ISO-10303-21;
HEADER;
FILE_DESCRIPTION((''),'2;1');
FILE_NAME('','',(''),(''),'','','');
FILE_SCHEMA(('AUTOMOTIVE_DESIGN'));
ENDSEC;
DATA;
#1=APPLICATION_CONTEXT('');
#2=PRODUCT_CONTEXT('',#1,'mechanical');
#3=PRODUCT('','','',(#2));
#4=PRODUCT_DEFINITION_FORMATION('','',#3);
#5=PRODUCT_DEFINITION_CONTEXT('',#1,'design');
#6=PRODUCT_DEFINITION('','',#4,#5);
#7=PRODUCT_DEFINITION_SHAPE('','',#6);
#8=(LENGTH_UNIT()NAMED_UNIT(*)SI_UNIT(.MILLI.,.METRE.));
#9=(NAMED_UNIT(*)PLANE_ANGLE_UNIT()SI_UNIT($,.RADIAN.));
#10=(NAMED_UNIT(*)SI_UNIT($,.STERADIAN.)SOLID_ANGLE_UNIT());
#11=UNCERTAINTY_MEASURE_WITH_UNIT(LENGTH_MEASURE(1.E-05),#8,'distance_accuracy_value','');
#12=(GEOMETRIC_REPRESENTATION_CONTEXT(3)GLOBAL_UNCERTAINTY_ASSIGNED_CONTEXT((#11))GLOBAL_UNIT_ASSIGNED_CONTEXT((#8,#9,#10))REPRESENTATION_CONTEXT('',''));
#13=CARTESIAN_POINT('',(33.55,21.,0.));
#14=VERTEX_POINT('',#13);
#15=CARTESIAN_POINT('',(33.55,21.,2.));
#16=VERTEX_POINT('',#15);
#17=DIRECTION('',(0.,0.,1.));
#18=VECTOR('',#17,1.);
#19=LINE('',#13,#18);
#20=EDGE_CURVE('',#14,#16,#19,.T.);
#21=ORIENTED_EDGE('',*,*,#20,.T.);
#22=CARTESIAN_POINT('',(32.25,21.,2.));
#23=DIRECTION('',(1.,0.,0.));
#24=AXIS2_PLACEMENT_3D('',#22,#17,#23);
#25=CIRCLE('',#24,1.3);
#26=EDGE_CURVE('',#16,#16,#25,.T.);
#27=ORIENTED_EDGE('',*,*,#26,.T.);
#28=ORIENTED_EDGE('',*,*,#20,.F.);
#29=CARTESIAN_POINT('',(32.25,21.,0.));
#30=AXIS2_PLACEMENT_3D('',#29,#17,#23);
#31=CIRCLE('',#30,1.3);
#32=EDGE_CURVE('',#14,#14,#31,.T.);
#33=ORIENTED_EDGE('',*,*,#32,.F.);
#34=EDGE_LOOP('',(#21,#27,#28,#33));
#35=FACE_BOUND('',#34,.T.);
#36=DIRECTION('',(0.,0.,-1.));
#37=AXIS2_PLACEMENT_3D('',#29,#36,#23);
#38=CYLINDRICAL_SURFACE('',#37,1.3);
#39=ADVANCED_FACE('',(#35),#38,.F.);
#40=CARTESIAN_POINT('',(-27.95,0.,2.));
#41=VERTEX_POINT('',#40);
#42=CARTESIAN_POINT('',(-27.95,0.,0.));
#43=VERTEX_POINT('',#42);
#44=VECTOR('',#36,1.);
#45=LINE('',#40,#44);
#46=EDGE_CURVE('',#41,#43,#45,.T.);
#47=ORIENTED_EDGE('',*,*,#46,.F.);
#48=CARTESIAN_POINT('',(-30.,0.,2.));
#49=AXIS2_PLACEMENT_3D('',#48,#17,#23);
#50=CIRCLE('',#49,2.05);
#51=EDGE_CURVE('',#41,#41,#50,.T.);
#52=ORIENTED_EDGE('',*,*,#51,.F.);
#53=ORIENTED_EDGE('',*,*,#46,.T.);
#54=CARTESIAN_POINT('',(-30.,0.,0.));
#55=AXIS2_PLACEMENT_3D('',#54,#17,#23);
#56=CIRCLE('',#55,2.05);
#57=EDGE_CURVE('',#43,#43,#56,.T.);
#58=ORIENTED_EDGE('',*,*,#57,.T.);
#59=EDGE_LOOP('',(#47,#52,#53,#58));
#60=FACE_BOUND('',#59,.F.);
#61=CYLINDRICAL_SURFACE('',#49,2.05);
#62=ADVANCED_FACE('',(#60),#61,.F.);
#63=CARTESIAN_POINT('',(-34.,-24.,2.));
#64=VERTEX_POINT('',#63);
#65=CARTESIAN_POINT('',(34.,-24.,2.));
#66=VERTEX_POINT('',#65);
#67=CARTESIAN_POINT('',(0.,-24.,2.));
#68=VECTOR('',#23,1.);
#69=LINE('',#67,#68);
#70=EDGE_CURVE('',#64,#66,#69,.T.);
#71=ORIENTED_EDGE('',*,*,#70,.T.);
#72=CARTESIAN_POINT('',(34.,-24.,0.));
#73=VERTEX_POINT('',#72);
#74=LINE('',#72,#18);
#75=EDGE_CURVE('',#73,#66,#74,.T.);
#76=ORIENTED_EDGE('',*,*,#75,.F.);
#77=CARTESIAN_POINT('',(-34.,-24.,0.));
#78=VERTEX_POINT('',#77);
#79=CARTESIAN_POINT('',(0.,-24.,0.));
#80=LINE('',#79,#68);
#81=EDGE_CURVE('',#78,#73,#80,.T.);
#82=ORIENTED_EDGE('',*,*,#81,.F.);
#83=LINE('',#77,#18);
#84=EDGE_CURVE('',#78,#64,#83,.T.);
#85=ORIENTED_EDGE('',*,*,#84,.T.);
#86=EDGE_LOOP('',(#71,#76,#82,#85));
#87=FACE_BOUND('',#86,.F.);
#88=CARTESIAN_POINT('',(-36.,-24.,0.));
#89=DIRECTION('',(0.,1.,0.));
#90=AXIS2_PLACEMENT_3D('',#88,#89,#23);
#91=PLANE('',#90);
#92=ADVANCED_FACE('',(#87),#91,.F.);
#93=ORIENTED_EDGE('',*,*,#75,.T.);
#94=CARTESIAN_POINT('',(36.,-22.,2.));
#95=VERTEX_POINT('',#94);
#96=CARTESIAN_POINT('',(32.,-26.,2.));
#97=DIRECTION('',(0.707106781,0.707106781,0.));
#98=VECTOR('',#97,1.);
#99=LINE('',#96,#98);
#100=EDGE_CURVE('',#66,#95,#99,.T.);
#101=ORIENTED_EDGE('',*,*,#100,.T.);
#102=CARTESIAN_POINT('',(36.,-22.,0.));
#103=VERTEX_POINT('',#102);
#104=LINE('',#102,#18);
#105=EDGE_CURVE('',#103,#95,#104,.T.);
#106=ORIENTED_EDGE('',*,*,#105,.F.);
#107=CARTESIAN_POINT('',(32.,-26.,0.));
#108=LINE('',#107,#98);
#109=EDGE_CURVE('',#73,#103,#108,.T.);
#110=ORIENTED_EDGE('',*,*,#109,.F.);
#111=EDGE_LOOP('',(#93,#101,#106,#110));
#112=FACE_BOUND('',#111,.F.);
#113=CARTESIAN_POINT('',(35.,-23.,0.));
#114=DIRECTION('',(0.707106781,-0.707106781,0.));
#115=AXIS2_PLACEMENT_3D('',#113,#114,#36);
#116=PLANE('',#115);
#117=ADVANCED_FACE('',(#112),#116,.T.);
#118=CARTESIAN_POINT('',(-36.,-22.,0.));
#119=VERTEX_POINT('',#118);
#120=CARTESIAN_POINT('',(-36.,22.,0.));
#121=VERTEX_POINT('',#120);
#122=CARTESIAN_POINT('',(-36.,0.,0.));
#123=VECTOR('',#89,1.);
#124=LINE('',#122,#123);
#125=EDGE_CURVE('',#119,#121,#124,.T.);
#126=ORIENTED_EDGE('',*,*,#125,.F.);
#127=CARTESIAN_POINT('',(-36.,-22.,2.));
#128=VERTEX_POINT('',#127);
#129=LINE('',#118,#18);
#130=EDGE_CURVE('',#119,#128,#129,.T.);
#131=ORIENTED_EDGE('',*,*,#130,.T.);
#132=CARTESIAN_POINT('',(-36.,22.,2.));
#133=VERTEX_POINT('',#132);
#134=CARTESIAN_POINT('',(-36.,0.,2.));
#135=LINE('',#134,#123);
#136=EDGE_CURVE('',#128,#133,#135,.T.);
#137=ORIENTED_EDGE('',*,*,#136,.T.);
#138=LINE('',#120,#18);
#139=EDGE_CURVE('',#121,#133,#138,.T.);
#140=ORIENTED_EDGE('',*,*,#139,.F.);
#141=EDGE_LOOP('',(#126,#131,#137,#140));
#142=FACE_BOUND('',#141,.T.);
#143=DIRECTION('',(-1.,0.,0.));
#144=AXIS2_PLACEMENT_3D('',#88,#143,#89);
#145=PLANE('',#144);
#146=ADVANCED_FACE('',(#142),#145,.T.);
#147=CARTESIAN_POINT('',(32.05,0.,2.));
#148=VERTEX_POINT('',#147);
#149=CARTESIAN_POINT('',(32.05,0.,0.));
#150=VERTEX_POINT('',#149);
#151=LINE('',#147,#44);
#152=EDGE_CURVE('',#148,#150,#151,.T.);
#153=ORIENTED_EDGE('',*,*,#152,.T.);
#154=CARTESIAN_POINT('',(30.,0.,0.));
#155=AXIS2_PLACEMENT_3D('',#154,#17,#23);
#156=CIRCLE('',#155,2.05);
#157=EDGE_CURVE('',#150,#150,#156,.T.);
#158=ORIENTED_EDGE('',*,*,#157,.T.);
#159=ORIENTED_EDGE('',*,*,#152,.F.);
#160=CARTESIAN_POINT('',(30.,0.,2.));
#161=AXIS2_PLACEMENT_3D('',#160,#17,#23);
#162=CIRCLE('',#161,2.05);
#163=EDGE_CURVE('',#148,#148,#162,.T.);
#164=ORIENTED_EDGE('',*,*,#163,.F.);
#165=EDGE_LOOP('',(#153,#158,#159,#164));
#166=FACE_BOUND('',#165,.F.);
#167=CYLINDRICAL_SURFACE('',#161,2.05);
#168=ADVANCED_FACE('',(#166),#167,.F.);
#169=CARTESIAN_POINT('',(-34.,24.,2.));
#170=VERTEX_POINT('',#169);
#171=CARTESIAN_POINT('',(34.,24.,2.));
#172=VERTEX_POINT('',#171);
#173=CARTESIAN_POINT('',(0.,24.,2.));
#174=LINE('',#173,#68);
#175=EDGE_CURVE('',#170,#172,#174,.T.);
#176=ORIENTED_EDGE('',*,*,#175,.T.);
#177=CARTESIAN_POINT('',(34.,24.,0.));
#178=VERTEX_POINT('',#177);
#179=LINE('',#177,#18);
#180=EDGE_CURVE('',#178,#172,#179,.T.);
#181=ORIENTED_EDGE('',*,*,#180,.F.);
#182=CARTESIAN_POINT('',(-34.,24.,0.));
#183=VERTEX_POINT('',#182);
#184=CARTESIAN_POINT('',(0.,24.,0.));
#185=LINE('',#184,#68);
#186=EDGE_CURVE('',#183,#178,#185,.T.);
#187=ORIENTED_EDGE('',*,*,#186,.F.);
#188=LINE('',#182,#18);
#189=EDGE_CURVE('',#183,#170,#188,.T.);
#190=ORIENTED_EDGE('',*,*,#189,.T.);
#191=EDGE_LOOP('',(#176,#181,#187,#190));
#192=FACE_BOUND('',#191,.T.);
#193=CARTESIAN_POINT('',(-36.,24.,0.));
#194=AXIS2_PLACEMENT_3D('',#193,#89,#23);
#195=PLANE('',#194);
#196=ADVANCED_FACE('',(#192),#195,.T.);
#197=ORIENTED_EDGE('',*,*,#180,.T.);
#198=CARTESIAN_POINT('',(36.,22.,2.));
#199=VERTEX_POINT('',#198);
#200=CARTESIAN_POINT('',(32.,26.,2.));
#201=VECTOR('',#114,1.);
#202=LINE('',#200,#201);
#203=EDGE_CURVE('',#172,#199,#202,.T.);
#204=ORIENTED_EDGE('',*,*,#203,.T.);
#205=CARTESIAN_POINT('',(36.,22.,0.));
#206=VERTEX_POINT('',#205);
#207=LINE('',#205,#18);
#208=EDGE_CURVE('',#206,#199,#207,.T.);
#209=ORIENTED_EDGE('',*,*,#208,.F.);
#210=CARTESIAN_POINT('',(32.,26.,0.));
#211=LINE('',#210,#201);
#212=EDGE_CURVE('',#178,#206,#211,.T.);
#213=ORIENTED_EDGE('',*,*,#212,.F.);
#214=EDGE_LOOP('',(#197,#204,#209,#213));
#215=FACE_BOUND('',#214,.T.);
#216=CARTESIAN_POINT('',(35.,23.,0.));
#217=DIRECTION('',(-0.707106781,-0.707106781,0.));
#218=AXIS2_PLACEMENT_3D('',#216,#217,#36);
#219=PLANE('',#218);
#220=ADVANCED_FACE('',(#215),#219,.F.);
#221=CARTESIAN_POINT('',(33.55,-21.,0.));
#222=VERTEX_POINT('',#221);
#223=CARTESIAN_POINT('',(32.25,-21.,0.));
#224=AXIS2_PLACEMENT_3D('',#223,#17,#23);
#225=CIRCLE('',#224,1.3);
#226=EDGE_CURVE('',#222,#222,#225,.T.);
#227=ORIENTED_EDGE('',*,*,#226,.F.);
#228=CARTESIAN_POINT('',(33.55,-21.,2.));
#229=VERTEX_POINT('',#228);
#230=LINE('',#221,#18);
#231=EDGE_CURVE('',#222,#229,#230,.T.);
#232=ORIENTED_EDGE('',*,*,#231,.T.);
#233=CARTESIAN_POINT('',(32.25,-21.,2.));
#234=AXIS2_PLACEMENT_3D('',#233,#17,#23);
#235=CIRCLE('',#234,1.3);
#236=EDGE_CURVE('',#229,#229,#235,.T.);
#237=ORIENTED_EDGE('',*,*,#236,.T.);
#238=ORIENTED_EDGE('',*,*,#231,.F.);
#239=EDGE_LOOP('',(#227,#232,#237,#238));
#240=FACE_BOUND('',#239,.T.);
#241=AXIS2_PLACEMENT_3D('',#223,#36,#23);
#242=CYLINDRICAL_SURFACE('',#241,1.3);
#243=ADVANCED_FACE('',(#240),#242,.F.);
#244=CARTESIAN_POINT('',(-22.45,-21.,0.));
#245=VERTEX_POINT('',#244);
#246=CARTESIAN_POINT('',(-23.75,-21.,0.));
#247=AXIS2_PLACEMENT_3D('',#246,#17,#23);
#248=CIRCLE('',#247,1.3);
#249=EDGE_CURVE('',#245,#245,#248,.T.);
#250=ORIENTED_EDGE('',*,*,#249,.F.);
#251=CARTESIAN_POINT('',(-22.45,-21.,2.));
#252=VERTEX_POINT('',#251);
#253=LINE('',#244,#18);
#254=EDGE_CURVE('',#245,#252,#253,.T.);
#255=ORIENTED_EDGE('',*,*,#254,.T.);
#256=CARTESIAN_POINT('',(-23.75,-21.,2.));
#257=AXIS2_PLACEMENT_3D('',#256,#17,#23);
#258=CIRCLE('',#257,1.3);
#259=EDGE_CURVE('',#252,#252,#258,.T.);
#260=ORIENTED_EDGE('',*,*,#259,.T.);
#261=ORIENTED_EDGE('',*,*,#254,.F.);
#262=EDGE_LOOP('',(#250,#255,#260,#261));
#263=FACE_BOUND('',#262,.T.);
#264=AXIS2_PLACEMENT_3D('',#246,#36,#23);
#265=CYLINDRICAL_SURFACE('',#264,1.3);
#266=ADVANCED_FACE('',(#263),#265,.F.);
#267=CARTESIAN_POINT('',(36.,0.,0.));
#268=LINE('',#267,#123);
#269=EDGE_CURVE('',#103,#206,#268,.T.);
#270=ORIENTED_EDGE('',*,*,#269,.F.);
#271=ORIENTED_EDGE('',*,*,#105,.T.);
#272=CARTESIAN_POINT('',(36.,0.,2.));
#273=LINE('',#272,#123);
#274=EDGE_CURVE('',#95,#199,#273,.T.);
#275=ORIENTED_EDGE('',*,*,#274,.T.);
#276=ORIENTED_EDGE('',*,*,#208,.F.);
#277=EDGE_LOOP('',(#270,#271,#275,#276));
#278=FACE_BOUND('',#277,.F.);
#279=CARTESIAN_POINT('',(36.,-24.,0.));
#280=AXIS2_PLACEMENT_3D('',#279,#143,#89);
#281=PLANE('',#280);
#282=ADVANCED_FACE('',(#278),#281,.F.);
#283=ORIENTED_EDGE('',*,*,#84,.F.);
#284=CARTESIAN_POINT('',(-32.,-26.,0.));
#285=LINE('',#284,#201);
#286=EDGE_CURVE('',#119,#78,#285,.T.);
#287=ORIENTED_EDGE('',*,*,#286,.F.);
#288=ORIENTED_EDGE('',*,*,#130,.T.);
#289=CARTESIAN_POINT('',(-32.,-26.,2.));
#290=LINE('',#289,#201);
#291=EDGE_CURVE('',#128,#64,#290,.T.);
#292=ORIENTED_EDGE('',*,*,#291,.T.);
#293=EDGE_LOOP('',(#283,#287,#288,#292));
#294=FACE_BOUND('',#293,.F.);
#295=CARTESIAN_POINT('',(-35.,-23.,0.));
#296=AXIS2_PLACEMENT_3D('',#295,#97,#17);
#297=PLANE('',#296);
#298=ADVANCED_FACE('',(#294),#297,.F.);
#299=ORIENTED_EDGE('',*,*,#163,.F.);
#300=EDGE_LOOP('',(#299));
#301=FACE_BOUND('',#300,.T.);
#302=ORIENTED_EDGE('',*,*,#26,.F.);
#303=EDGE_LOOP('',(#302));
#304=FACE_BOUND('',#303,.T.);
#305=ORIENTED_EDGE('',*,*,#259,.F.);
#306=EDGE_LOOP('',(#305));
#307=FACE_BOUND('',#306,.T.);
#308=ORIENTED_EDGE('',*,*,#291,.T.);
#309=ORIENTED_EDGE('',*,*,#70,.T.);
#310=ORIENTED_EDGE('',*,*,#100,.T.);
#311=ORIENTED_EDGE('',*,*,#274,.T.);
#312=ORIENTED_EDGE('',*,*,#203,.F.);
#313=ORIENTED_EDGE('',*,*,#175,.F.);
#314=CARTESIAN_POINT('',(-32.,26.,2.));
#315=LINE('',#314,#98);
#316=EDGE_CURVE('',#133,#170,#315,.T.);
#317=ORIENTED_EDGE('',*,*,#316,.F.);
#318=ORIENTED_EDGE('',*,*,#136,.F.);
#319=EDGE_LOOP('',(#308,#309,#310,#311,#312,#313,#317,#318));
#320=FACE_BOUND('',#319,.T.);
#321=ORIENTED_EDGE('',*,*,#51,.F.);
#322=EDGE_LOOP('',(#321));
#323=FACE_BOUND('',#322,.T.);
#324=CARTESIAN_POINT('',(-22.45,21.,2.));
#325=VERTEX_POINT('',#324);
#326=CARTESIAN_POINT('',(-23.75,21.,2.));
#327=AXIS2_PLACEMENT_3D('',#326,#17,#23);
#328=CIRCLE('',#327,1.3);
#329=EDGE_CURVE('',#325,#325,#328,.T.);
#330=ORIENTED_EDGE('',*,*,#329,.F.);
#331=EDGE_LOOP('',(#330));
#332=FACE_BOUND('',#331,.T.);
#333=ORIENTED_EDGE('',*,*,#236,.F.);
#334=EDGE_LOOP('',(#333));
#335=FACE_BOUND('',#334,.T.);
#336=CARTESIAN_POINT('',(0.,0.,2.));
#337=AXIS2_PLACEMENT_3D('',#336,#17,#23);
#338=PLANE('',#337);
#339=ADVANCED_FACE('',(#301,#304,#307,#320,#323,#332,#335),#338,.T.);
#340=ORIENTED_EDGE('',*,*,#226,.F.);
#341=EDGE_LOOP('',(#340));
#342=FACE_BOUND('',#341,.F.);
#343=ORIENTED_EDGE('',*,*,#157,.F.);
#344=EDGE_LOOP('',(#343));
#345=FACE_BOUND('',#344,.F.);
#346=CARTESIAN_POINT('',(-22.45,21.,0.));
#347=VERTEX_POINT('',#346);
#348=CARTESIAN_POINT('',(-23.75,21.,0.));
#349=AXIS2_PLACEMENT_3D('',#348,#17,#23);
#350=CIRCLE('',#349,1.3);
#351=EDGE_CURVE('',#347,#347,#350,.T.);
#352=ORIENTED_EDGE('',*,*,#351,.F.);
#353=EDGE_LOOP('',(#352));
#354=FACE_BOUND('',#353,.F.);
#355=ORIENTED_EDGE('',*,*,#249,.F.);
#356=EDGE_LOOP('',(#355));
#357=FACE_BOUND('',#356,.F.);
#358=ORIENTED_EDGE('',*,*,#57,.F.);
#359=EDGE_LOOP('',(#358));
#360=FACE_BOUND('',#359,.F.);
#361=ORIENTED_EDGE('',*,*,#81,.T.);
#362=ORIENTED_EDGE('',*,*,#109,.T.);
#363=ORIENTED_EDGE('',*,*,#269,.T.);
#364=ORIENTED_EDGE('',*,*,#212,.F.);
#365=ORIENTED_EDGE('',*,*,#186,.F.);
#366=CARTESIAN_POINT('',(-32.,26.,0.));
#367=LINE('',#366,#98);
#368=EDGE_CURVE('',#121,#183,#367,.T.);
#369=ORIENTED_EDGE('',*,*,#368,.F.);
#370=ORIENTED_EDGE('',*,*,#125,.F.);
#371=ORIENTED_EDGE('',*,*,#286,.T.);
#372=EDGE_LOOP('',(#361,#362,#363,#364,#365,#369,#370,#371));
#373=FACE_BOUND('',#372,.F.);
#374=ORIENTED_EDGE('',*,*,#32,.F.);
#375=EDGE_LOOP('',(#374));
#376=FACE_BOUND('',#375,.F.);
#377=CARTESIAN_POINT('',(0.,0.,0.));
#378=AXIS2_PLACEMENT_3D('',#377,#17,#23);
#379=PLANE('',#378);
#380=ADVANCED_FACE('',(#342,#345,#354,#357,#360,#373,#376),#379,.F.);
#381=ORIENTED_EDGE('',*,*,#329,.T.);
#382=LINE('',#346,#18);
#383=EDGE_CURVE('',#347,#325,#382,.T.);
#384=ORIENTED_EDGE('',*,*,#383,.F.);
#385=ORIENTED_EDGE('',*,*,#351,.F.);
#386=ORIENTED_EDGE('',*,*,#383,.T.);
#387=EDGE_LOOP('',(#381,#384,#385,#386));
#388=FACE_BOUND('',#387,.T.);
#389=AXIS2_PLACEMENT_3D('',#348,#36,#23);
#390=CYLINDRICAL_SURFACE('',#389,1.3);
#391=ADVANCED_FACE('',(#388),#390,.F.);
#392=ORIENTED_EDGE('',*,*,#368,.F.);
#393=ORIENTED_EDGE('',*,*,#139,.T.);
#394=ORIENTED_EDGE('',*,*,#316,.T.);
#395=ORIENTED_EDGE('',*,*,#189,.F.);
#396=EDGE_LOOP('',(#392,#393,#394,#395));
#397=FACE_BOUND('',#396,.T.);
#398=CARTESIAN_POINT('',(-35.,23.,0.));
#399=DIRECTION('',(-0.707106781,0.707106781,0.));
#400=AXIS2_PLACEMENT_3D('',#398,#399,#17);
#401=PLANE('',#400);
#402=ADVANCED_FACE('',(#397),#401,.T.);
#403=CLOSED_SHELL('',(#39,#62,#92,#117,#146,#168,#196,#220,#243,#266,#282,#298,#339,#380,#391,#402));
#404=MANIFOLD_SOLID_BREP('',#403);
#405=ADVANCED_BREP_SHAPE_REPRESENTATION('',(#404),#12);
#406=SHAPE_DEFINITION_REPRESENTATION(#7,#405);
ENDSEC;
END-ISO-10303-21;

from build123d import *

# Parameters (mm, degrees)
F0_W     = 72
F0_H     = 48
F0_R     = 1.3
F1_DEPTH = 2
F2_SIZE  = 2
F3_R     = 2.05
F4_DEPTH = 25


with BuildPart() as f1:
    # F0 (on Top) → F1 (new body)
    with BuildSketch(Plane.XY):
        Rectangle(F0_W, F0_H)
        with Locations((-23.75, -21)):
            Circle(F0_R, mode=Mode.SUBTRACT)
        with Locations((32.25, -21)):
            Circle(F0_R, mode=Mode.SUBTRACT)
        with Locations((-23.75, 21)):
            Circle(F0_R, mode=Mode.SUBTRACT)
        with Locations((32.25, 21)):
            Circle(F0_R, mode=Mode.SUBTRACT)
    extrude(amount=F1_DEPTH)

    # F2
    f2_edges = [f1.edges().sort_by_distance(p)[0] for p in [
        (-36, -24, 1),
        (36, -24, 1),
        (36, 24, 1),
        (-36, 24, 1),
    ]]
    chamfer(f2_edges, length=F2_SIZE)

    # F3 (on face) → F4 (cut)
    with BuildSketch(Plane.XY.offset(2)):
        with Locations((-30, 0)):
            Circle(F3_R)
        with Locations((30, 0)):
            Circle(F3_R)
    extrude(amount=-F4_DEPTH, mode=Mode.SUBTRACT)


solid = f1.part
